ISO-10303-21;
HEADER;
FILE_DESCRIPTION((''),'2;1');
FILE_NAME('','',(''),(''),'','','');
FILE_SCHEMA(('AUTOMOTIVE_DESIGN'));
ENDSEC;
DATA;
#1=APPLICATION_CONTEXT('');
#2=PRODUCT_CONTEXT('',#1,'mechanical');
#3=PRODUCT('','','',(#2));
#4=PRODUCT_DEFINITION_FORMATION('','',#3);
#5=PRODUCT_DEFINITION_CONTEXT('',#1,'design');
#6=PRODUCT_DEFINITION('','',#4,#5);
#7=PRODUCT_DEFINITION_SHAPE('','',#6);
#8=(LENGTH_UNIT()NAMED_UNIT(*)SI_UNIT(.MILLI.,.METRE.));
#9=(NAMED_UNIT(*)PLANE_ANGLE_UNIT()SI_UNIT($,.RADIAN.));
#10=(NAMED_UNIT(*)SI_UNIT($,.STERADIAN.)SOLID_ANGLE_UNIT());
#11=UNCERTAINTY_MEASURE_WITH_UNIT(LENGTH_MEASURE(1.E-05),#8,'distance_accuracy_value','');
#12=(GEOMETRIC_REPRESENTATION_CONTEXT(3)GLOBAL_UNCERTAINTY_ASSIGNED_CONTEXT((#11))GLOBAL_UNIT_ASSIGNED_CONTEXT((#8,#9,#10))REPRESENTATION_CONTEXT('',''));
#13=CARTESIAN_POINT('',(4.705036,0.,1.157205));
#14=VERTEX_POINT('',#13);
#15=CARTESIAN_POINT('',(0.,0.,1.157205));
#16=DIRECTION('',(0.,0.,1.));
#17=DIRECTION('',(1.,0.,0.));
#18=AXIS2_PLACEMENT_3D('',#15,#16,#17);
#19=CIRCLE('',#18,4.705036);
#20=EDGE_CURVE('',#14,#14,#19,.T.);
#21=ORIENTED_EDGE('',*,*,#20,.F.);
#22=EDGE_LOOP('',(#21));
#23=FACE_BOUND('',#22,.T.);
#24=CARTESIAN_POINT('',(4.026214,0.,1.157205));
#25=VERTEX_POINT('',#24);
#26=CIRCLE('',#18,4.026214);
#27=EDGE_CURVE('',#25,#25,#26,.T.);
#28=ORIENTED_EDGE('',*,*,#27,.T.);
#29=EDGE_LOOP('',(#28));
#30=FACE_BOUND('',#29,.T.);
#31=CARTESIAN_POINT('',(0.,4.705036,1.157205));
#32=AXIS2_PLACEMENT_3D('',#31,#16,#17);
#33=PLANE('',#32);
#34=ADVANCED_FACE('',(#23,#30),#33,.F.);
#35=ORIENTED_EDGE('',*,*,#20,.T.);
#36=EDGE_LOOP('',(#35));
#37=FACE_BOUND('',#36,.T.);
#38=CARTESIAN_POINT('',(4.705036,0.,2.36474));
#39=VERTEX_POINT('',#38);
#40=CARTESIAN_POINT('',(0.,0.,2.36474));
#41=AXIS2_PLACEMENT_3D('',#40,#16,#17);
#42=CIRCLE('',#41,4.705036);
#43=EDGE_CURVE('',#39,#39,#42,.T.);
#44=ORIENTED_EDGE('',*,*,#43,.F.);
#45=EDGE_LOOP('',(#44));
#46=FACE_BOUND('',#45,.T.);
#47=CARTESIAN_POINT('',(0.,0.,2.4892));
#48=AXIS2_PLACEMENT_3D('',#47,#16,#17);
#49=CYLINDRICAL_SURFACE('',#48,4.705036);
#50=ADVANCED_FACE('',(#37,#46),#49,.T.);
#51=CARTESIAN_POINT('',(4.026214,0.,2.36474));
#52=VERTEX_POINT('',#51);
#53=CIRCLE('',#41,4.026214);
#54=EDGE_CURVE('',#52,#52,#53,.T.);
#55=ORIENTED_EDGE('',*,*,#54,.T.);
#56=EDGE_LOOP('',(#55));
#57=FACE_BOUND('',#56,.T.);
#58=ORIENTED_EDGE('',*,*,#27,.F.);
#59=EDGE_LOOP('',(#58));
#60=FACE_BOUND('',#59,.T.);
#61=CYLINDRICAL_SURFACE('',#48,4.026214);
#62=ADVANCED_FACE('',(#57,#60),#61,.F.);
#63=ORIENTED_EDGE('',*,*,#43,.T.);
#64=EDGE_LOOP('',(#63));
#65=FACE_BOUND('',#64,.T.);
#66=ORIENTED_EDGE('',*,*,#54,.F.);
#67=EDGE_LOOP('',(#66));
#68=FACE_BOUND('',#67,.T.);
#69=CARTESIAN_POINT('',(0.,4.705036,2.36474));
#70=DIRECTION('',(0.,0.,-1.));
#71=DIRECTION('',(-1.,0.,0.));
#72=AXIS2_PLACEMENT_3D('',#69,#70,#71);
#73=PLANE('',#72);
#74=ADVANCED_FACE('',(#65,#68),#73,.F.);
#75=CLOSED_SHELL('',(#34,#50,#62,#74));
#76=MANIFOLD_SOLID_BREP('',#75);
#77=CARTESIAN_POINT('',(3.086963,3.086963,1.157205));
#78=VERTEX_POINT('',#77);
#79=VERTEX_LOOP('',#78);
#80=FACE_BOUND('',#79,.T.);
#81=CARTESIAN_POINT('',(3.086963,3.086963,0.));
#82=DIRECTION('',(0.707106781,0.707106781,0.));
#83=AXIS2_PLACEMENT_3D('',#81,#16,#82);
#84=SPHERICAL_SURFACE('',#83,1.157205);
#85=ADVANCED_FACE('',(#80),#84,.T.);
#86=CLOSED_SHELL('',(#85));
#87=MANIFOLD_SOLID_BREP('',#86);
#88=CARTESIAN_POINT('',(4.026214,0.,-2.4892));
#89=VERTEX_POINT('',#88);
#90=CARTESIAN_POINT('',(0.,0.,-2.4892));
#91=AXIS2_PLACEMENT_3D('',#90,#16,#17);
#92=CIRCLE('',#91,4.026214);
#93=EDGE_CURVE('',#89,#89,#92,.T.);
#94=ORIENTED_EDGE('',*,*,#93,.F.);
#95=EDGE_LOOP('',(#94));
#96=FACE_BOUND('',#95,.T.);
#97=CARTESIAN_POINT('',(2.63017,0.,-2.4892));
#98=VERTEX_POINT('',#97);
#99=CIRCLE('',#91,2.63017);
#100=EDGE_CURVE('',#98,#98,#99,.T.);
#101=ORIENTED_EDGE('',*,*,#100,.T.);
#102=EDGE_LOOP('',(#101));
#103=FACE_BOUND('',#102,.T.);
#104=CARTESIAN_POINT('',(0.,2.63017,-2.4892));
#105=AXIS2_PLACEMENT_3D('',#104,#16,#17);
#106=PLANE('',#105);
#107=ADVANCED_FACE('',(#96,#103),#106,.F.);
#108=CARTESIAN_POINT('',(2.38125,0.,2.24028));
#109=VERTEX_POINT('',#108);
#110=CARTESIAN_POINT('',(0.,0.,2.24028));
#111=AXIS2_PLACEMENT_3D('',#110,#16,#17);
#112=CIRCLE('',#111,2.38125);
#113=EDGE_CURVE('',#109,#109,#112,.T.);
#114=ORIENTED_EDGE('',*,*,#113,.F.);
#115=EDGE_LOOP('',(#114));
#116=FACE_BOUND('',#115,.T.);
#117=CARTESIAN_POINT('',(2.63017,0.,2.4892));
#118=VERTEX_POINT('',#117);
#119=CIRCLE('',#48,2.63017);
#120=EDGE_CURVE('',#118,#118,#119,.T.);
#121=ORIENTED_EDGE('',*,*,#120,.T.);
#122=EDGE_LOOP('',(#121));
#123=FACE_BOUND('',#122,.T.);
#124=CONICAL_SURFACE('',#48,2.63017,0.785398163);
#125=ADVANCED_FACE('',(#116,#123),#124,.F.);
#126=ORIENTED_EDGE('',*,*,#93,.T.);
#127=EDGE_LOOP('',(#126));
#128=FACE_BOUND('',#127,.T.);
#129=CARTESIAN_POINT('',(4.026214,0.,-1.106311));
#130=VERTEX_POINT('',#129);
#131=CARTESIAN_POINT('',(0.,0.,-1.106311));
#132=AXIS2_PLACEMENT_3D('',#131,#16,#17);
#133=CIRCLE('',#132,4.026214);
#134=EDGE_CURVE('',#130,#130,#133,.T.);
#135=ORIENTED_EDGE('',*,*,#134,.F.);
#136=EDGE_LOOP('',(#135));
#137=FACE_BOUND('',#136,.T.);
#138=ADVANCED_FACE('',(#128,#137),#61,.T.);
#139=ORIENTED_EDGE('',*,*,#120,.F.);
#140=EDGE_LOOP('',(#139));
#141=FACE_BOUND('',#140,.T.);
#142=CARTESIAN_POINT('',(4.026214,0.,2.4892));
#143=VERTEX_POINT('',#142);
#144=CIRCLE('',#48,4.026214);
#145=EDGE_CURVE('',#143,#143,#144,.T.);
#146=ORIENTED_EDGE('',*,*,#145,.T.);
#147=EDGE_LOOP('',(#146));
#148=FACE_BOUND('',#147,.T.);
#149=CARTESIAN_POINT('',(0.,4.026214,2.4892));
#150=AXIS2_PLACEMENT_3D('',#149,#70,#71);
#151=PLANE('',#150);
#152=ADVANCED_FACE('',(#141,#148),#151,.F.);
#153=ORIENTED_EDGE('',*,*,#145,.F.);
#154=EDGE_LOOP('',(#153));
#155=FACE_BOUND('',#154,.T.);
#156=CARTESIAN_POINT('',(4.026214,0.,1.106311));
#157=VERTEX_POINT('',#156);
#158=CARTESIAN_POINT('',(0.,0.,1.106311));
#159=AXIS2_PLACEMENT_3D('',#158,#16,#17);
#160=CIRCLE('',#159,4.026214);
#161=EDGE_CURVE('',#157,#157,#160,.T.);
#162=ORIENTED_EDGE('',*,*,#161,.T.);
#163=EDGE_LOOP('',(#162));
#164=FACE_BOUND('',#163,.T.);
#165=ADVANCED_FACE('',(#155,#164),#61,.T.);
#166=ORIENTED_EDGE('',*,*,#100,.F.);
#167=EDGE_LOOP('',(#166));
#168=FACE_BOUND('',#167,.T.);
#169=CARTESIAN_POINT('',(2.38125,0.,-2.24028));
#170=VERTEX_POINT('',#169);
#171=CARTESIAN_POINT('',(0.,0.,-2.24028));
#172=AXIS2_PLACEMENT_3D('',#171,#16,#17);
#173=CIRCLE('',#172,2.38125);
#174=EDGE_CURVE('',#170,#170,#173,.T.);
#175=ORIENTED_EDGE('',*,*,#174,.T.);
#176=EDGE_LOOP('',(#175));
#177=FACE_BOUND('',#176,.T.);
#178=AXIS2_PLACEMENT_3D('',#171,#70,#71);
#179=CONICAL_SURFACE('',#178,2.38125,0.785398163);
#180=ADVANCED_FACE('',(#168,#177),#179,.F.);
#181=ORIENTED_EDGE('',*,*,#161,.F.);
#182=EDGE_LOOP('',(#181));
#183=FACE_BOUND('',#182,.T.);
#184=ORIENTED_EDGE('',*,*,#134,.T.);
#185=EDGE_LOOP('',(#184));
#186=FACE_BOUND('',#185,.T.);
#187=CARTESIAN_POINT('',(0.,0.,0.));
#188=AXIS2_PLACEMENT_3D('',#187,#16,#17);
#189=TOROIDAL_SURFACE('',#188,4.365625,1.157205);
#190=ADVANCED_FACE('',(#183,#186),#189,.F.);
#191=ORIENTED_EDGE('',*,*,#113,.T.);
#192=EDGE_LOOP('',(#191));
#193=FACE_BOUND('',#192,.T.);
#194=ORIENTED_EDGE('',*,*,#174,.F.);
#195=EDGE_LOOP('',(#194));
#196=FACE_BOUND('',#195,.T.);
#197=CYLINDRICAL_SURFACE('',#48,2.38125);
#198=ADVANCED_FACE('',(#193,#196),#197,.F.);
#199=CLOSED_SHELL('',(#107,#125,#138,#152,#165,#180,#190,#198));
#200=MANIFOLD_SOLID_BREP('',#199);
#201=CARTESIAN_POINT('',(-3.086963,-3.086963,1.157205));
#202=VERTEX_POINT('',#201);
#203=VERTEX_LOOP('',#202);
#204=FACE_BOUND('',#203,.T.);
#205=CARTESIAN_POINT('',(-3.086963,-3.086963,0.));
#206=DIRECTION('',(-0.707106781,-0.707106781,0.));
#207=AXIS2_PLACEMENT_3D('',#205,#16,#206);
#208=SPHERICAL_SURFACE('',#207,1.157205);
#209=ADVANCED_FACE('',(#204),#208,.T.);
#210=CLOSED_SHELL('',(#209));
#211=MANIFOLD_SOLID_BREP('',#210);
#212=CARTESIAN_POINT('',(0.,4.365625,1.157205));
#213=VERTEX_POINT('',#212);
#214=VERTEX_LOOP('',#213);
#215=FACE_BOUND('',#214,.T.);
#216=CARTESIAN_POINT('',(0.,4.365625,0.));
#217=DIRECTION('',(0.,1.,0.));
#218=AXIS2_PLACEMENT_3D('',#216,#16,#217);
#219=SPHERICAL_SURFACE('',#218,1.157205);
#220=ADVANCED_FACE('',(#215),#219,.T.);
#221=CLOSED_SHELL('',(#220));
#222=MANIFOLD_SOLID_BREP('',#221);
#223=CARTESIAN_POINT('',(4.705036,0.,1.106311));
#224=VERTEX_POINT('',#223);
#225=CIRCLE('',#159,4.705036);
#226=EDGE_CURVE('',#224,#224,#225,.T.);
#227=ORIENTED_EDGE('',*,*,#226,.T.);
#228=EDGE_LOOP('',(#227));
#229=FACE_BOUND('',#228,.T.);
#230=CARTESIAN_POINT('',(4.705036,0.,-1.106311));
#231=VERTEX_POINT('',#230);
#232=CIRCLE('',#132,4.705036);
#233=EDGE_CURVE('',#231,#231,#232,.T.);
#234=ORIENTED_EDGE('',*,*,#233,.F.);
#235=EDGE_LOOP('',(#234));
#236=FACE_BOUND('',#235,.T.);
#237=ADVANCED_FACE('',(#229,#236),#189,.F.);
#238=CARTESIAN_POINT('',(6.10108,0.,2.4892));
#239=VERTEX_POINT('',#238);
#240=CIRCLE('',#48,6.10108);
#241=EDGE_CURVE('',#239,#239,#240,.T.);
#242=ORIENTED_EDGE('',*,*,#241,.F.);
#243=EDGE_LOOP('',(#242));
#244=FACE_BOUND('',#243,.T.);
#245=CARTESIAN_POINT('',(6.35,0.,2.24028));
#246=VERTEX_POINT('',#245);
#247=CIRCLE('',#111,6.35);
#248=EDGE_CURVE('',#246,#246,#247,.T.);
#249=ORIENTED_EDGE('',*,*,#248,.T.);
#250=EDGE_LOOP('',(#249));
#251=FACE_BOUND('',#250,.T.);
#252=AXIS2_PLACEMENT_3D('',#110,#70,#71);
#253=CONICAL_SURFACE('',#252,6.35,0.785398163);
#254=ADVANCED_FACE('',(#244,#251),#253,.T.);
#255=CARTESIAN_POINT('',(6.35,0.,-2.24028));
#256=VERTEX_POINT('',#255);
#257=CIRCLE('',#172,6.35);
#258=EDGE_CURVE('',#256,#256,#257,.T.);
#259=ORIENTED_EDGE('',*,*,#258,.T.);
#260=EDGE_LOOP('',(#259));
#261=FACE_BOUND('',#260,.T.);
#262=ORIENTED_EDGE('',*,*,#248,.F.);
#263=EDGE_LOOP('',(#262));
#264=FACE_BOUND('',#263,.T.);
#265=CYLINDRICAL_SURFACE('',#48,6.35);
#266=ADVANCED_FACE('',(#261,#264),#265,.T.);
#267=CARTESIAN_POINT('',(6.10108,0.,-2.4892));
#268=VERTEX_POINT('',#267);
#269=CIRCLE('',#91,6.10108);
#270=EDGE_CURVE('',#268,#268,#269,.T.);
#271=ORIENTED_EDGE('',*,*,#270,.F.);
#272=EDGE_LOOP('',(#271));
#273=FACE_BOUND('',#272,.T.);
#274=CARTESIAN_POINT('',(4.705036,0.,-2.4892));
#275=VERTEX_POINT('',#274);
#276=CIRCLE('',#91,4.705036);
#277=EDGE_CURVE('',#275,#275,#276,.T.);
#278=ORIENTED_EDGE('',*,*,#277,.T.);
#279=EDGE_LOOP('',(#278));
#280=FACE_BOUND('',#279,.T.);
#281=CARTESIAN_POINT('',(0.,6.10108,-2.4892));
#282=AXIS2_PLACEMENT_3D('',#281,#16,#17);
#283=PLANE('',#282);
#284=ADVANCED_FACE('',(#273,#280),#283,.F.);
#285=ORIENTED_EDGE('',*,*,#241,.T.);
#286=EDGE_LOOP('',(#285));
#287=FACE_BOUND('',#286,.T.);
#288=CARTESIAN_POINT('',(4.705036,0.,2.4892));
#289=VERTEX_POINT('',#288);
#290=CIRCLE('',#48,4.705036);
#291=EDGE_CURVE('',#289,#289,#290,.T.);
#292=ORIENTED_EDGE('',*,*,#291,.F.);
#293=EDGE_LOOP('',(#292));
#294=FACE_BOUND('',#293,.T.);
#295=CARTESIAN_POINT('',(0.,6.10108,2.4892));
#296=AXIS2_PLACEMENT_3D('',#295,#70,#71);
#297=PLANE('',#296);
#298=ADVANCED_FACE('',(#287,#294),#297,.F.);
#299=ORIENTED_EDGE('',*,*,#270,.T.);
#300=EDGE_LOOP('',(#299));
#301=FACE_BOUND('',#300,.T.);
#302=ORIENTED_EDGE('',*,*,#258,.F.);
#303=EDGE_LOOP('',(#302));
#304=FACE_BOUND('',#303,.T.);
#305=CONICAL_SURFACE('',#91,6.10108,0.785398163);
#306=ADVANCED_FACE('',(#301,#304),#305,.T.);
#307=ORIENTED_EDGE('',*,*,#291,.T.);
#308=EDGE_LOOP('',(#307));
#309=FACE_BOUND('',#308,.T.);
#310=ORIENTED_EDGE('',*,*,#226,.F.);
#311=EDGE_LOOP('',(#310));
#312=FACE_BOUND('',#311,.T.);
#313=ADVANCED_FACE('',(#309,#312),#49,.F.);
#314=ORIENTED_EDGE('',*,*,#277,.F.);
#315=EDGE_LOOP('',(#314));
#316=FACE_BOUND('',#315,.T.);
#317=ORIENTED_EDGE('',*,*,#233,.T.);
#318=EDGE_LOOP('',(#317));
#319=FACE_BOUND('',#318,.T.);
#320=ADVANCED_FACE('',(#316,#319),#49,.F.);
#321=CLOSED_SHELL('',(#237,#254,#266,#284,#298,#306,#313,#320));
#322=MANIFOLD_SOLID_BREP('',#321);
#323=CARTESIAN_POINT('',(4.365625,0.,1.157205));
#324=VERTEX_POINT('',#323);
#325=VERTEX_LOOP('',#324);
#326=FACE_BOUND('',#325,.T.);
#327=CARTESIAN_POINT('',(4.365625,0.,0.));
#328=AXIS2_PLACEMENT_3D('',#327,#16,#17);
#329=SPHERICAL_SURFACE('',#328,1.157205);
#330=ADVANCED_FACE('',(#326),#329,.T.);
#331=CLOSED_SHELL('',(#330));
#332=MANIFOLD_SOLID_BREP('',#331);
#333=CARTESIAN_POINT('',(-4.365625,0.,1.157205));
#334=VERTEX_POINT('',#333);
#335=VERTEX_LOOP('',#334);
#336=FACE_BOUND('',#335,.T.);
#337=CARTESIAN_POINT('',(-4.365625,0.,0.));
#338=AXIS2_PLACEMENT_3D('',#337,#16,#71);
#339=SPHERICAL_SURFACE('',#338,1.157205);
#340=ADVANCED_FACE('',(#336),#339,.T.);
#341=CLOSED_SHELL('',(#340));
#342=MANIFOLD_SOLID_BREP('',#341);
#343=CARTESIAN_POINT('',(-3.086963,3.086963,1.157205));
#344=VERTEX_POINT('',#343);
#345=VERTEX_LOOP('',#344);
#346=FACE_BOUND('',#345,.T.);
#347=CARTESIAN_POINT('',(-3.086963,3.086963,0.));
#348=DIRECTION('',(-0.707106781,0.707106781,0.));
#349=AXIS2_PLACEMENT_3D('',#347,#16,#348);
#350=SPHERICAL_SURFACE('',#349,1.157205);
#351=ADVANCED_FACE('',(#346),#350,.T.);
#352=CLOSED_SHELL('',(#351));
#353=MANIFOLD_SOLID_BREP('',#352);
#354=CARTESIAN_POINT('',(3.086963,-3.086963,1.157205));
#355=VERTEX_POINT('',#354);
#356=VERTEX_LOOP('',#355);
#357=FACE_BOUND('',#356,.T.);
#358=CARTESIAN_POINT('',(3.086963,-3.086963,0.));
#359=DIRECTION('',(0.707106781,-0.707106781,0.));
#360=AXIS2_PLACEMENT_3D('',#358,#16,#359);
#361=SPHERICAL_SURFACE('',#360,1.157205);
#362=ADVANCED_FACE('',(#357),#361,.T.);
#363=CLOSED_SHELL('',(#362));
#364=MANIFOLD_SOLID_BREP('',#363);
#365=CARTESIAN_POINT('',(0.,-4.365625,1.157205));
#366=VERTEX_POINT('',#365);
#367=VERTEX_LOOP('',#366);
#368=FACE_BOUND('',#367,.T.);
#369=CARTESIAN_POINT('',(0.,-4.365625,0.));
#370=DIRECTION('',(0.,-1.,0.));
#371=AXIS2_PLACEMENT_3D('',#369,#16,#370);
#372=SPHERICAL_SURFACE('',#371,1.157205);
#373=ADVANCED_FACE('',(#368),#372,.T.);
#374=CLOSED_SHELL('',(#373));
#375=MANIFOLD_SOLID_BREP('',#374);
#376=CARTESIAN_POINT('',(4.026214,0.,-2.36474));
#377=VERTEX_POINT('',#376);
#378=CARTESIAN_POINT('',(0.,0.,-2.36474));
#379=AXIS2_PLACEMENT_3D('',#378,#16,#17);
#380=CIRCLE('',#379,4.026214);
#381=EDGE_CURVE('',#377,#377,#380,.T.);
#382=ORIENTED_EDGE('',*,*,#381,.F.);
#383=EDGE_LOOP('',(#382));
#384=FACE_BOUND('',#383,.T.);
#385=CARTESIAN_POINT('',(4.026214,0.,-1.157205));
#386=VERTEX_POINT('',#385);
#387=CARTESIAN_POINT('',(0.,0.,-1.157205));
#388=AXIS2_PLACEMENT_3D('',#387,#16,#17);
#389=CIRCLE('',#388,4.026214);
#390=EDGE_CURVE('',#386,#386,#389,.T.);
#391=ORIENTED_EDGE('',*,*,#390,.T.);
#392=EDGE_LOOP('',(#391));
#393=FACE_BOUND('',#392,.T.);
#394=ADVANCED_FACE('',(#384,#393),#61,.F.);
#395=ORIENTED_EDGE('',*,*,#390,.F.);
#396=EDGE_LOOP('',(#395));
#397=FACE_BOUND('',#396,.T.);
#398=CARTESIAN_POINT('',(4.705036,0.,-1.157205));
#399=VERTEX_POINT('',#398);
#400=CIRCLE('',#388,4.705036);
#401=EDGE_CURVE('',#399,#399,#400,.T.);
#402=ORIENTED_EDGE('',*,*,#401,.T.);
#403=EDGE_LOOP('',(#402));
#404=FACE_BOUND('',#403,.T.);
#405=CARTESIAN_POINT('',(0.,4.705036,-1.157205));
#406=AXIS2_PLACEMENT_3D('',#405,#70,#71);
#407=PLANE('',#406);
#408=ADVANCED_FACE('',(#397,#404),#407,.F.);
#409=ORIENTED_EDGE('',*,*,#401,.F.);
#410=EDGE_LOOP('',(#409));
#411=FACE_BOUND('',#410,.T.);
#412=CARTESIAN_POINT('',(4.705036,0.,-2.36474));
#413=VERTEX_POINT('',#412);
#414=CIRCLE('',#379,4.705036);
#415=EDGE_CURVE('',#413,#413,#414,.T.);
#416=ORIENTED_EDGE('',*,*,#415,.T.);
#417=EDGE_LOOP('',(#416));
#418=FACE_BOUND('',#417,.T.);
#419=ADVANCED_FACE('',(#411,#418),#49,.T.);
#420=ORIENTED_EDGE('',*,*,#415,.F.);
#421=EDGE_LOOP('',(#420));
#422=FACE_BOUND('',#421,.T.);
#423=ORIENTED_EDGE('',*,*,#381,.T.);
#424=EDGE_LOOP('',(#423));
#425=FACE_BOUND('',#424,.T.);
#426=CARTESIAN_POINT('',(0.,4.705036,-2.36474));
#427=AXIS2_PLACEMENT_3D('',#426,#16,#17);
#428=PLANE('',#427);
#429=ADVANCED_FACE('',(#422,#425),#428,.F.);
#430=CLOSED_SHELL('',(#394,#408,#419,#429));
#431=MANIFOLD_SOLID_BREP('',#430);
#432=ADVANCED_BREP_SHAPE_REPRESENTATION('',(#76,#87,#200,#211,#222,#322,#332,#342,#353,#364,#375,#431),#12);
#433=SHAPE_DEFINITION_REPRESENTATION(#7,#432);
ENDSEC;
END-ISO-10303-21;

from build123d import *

# Parameters (mm, degrees)
CIRPATTERN1_COUNT = 8
SKETCH5_W         = 1.207534705
SKETCH5_H         = 0.678821978


with BuildPart() as part:
    # Sketch1 → Revolve1 (revolve)
    with BuildSketch(Plane(origin=(0, 0, 0), x_dir=(0, 0, -1), z_dir=(1, 0, 0))):
        with BuildLine():
            Line((2.24028, 6.35), (-2.24028, 6.35))
            Line((-2.24028, 6.35), (-2.4892, 6.10108))
            Line((-2.4892, 6.10108), (-2.4892, 4.705035989))
            Line((-2.4892, 4.705035989), (-1.106311111, 4.705035989))
            ThreePointArc((-1.106311111, 4.705035989), (0, 5.522830295), (1.106311111, 4.705035989))
            Line((1.106311111, 4.705035989), (2.4892, 4.705035989))
            Line((2.4892, 4.705035989), (2.4892, 6.10108))
            Line((2.4892, 6.10108), (2.24028, 6.35))
        make_face()
    revolve(axis=Axis((0, 0, 2.4892), (0, 0, -1)))


with BuildPart() as body_2:
    # Sketch3 → Revolve3 (revolve)
    with BuildSketch(Plane(origin=(0, 0, 0), x_dir=(0, 0, -1), z_dir=(1, 0, 0))):
        with BuildLine():
            Line((-2.4892, 4.026214011), (-1.106311111, 4.026214011))
            ThreePointArc((-1.106311111, 4.026214011), (0, 3.208419705), (1.106311111, 4.026214011))
            Line((1.106311111, 4.026214011), (2.4892, 4.026214011))
            Line((2.4892, 4.026214011), (2.4892, 2.63017))
            Line((2.4892, 2.63017), (2.24028, 2.38125))
            Line((2.24028, 2.38125), (-2.24028, 2.38125))
            Line((-2.24028, 2.38125), (-2.4892, 2.63017))
            Line((-2.4892, 2.63017), (-2.4892, 4.026214011))
        make_face()
    revolve(axis=Axis((0, 0, 2.4892), (0, 0, -1)))


with BuildPart() as body_3:
    # Sketch4 → Revolve4 (revolve)
    with BuildSketch(Plane(origin=(0, 0, 0), x_dir=(0, 0, -1), z_dir=(1, 0, 0))):
        with BuildLine():
            Line((-1.157205295, 4.365625), (1.157205295, 4.365625))
            ThreePointArc((1.157205295, 4.365625), (0, 5.522830295), (-1.157205295, 4.365625))
        make_face()
    revolve(axis=Axis((0, 4.365625, 1.157205295), (0, 0, -1)))


with BuildPart() as cirpattern1_1:
    # CirPattern1: pattern copy
    add(body_3.part.rotate(Axis((0, 0, 0), (0, 0, 1)), 1 * 360 / CIRPATTERN1_COUNT))


with BuildPart() as cirpattern1_2:
    # CirPattern1: pattern copy
    add(body_3.part.rotate(Axis((0, 0, 0), (0, 0, 1)), 2 * 360 / CIRPATTERN1_COUNT))


with BuildPart() as cirpattern1_3:
    # CirPattern1: pattern copy
    add(body_3.part.rotate(Axis((0, 0, 0), (0, 0, 1)), 3 * 360 / CIRPATTERN1_COUNT))


with BuildPart() as cirpattern1_4:
    # CirPattern1: pattern copy
    add(body_3.part.rotate(Axis((0, 0, 0), (0, 0, 1)), 4 * 360 / CIRPATTERN1_COUNT))


with BuildPart() as cirpattern1_5:
    # CirPattern1: pattern copy
    add(body_3.part.rotate(Axis((0, 0, 0), (0, 0, 1)), 5 * 360 / CIRPATTERN1_COUNT))


with BuildPart() as cirpattern1_6:
    # CirPattern1: pattern copy
    add(body_3.part.rotate(Axis((0, 0, 0), (0, 0, 1)), 6 * 360 / CIRPATTERN1_COUNT))


with BuildPart() as cirpattern1_7:
    # CirPattern1: pattern copy
    add(body_3.part.rotate(Axis((0, 0, 0), (0, 0, 1)), 7 * 360 / CIRPATTERN1_COUNT))


with BuildPart() as body_11:
    # Sketch5 → Revolve5 (revolve)
    with BuildSketch(Plane(origin=(0, 0, 0), x_dir=(0, 0, -1), z_dir=(1, 0, 0))):
        with Locations((-1.760972648, 4.365625)):
            Rectangle(SKETCH5_W, SKETCH5_H)
        with Locations((1.760972648, 4.365625)):
            Rectangle(SKETCH5_W, SKETCH5_H)
    revolve(axis=Axis((0, 0, 2.4892), (0, 0, -1)))


solid = Compound([part.part, body_2.part, body_3.part, cirpattern1_1.part, cirpattern1_2.part, cirpattern1_3.part, cirpattern1_4.part, cirpattern1_5.part, cirpattern1_6.part, cirpattern1_7.part, body_11.part])
